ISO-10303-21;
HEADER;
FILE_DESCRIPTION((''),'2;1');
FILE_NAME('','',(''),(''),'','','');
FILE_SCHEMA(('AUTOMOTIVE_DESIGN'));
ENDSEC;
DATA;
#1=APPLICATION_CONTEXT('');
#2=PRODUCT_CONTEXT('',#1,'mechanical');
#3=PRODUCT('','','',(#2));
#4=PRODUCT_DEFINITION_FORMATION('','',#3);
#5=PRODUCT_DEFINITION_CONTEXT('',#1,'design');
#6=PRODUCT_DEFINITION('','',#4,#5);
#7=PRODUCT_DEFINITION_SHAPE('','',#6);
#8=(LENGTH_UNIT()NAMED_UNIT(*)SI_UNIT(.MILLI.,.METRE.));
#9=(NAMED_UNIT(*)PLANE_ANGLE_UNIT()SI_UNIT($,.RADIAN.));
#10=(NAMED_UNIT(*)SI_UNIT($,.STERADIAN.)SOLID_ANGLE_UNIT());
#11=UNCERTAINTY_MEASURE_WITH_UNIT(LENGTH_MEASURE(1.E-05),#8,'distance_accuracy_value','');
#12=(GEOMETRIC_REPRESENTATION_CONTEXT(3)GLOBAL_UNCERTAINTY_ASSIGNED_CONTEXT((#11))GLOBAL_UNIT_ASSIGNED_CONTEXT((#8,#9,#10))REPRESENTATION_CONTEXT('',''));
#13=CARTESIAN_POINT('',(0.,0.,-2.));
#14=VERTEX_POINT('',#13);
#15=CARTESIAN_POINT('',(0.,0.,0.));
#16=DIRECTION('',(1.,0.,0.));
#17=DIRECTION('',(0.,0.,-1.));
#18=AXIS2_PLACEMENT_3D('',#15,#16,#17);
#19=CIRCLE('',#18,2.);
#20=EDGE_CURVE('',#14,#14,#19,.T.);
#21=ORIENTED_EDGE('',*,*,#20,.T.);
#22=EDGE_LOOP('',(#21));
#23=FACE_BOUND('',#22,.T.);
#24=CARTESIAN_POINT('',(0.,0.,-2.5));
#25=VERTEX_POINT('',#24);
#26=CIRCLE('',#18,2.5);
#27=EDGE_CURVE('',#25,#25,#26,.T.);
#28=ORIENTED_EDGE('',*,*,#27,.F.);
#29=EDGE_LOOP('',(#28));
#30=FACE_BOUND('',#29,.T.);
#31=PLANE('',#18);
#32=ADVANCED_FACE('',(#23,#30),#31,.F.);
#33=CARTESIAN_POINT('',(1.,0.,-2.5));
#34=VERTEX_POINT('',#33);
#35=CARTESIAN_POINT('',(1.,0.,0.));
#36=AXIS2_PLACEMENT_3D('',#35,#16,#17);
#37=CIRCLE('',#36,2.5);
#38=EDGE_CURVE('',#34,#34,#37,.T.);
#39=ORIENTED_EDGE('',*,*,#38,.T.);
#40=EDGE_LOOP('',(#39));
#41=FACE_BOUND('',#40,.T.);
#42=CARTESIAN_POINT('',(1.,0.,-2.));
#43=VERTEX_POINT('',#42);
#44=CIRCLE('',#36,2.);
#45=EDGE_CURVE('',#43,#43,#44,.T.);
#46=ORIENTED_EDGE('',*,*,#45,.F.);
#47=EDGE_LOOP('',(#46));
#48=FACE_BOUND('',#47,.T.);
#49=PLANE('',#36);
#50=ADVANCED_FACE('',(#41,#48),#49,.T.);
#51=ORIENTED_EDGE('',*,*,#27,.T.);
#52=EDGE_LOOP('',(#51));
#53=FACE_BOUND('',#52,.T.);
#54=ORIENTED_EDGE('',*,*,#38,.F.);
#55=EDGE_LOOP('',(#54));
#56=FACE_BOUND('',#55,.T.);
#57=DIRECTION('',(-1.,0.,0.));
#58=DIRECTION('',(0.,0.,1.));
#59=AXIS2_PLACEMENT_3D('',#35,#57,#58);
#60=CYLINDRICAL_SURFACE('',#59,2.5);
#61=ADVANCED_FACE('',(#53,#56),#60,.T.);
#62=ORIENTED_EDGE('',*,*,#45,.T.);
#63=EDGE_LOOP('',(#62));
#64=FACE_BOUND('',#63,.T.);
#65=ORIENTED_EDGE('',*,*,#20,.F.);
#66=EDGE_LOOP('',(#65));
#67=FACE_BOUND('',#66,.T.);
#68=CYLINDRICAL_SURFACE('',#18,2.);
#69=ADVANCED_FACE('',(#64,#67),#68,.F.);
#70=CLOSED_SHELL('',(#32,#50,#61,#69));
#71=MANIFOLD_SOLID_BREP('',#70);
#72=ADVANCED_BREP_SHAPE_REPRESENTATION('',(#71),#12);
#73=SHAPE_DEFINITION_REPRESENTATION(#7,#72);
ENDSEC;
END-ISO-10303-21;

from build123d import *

# Parameters (mm, degrees)
SKETCH_3_R          = 2.5
EXTRUDE_2_DEPTH     = 1
SKETCH_4_R          = 2
CUT_EXTRUDE_1_DEPTH = 1


with BuildPart() as part:
    # Эскиз3 → Бобышка-Вытянуть2 (new body)
    with BuildSketch(Plane(origin=(0, 0, 0), x_dir=(0, 0, -1), z_dir=(1, 0, 0))):
        Circle(SKETCH_3_R)
    extrude(amount=EXTRUDE_2_DEPTH)

    # Эскиз4 → Вырез-Вытянуть1 (cut)
    with BuildSketch(Plane(origin=(1, 0, 0), x_dir=(0, 0, -1), z_dir=(1, 0, 0))):
        Circle(SKETCH_4_R)
    extrude(amount=-CUT_EXTRUDE_1_DEPTH, mode=Mode.SUBTRACT)


solid = part.part
